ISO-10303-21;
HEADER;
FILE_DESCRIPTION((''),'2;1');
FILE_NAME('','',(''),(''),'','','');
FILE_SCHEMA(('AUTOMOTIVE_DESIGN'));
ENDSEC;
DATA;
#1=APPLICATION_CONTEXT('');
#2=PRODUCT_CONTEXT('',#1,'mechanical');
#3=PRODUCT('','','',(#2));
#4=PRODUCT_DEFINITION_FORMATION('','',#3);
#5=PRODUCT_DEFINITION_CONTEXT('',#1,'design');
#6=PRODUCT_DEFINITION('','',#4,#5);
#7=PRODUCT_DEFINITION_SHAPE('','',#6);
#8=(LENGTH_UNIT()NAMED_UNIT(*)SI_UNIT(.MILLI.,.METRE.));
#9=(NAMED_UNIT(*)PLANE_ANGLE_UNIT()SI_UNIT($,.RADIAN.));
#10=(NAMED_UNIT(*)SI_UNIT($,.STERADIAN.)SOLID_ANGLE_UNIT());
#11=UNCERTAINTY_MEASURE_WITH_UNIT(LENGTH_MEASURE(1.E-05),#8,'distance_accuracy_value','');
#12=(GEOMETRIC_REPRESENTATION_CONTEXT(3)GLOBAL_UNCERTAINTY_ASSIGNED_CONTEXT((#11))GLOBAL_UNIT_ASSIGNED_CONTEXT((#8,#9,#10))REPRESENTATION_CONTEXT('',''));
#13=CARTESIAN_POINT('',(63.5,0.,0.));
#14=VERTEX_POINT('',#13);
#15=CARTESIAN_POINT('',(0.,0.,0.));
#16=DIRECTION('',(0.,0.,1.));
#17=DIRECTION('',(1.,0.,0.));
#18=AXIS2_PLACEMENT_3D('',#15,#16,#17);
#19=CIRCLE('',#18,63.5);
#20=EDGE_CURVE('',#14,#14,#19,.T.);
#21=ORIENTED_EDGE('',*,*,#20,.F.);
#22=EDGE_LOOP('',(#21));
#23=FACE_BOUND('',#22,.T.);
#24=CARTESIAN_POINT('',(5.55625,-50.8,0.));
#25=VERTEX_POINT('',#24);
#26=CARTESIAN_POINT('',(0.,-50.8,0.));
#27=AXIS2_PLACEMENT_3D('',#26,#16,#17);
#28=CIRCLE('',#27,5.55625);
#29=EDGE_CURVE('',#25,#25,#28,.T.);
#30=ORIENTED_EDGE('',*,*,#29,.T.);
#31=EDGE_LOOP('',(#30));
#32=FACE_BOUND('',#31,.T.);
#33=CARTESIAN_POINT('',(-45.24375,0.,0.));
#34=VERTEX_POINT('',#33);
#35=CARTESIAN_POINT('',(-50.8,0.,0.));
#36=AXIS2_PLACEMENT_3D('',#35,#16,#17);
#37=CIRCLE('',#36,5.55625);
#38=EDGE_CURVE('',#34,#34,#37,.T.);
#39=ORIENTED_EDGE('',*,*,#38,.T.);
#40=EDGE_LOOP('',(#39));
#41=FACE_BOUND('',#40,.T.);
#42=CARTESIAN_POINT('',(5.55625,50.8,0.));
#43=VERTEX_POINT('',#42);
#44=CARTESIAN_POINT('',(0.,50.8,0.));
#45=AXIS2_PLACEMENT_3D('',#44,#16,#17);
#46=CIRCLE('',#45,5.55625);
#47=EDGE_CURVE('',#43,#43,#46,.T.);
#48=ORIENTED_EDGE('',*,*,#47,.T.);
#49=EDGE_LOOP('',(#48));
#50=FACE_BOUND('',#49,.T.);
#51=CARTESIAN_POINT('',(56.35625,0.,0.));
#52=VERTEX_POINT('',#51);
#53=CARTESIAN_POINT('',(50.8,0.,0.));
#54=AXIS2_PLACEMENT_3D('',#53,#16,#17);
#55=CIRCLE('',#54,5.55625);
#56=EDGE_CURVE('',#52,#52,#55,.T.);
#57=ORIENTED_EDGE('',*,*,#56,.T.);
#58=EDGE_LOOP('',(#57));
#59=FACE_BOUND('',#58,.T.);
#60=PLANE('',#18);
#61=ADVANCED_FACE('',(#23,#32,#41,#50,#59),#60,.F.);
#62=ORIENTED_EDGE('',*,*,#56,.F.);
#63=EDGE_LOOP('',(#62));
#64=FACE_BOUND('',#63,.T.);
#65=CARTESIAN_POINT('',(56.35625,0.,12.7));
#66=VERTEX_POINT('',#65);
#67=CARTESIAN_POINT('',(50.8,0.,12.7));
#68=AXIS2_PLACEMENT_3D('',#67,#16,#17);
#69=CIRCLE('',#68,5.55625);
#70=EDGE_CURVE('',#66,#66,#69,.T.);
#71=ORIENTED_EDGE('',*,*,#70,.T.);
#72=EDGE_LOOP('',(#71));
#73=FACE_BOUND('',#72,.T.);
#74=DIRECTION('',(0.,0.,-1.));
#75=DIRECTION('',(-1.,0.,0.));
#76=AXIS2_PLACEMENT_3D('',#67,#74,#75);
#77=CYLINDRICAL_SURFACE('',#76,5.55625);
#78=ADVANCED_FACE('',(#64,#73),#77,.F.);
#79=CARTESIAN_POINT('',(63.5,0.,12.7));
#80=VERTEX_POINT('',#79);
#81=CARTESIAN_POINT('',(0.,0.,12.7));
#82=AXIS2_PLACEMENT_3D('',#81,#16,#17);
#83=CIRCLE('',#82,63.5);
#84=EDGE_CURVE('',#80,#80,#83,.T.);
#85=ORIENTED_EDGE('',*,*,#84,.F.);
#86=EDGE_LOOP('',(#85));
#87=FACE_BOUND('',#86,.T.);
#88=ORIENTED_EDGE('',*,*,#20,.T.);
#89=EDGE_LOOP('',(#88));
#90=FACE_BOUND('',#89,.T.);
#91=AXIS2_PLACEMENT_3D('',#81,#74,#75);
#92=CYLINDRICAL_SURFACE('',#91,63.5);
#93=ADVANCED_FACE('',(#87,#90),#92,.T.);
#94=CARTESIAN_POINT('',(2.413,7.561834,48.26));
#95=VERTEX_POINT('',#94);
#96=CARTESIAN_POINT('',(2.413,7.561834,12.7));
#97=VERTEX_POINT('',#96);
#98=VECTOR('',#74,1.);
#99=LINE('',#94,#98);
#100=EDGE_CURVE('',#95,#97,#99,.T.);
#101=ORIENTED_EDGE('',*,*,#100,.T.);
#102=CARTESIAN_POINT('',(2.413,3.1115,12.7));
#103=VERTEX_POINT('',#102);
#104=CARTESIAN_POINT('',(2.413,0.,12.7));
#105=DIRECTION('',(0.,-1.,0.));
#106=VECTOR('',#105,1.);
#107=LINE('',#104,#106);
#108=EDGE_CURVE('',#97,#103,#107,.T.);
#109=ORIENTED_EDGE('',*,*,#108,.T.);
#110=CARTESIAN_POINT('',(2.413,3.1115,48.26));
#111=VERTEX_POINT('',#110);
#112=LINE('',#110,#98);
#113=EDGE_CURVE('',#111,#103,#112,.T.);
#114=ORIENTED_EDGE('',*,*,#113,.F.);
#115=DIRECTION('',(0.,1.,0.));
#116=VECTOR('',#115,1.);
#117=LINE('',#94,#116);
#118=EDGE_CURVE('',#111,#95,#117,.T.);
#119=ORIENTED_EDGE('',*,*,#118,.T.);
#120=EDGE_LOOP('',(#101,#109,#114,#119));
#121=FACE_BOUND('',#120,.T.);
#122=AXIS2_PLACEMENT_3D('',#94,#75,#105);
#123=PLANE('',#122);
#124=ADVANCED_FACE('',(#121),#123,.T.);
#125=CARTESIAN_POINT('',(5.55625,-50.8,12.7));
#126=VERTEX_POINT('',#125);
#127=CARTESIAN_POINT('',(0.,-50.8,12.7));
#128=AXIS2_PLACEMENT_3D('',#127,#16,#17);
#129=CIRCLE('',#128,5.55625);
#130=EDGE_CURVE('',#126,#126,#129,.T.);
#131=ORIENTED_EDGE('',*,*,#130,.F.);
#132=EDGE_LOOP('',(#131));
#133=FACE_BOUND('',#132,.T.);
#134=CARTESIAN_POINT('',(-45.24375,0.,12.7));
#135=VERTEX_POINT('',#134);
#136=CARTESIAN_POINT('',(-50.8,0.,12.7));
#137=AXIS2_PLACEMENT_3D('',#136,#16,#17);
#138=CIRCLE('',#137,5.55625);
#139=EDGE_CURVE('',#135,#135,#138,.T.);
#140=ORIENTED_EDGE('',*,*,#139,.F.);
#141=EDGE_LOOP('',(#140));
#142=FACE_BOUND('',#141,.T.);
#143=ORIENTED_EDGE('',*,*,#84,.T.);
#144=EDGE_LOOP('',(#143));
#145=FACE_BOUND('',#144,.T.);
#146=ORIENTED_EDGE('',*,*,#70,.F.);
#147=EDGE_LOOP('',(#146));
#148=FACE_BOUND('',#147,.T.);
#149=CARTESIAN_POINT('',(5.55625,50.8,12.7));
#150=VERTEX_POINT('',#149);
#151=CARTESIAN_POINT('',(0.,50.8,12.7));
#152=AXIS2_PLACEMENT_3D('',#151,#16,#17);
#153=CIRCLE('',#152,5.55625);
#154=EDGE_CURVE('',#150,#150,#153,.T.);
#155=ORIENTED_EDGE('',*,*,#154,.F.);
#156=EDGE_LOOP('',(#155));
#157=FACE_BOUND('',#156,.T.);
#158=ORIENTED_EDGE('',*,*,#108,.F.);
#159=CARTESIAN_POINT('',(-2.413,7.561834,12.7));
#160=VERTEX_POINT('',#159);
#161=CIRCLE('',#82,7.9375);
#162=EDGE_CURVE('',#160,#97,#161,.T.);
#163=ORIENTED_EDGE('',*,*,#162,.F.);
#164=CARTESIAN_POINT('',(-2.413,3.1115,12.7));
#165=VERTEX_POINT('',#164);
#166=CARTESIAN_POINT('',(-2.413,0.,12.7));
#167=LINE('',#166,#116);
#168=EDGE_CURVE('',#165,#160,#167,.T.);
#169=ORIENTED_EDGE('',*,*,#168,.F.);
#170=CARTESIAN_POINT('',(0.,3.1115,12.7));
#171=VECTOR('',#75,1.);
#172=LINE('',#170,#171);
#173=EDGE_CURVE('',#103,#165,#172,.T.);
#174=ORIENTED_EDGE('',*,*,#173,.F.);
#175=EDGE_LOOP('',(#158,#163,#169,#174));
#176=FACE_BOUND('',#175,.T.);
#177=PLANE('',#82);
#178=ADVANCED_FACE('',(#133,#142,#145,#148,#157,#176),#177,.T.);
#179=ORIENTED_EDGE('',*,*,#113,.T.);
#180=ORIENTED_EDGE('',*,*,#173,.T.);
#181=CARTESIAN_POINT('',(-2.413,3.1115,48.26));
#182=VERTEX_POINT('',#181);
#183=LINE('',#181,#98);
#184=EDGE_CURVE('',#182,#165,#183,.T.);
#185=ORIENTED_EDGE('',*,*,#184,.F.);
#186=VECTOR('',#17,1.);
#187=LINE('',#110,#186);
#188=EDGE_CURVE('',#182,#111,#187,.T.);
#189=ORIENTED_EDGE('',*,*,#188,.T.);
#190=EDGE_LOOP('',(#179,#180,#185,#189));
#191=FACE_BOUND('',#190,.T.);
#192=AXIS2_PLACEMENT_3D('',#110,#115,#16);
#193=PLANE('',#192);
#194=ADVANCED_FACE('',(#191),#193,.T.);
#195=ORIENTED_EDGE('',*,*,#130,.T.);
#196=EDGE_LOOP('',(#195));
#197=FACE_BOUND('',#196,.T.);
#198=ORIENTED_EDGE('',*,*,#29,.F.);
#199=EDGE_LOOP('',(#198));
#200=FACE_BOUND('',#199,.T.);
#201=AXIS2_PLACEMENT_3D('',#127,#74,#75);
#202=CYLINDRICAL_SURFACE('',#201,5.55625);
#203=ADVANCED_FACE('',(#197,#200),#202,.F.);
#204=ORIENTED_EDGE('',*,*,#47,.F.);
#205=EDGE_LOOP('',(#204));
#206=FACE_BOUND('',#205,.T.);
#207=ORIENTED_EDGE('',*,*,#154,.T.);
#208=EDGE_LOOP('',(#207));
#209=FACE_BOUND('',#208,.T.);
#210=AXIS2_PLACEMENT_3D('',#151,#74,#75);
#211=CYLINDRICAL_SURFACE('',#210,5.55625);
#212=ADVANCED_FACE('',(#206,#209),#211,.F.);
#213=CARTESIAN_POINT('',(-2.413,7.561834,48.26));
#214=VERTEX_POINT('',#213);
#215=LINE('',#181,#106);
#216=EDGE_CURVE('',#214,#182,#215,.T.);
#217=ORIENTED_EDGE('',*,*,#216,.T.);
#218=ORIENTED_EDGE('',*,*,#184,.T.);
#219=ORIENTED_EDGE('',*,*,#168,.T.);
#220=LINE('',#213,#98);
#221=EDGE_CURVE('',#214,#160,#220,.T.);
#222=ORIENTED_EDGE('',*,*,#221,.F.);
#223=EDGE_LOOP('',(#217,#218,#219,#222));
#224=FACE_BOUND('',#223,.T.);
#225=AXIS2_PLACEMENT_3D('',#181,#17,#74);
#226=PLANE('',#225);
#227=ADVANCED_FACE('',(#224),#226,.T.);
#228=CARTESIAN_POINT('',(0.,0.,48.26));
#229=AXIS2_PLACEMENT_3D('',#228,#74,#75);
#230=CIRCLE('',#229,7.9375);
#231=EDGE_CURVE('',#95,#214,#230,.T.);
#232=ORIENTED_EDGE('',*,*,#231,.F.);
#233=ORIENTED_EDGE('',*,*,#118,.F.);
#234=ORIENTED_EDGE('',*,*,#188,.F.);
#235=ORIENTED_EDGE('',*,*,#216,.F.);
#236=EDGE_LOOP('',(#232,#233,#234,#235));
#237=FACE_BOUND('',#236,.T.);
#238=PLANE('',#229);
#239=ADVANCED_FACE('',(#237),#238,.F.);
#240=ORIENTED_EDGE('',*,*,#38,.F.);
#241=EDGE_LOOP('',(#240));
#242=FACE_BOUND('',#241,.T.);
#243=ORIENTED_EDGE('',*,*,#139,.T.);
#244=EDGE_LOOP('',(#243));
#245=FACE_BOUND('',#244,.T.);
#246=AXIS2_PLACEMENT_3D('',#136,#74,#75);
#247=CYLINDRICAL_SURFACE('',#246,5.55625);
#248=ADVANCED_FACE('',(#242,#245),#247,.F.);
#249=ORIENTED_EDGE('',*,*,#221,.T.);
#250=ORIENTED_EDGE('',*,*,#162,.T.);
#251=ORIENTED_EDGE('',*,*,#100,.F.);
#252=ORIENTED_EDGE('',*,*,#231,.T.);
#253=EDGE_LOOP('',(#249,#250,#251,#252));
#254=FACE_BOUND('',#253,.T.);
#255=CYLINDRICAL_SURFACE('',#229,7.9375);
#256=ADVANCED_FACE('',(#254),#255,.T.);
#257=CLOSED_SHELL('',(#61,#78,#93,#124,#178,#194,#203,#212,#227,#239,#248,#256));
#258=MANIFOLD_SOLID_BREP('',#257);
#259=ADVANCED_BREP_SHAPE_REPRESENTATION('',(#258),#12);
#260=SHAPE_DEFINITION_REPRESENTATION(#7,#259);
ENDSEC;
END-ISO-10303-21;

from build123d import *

# Parameters (mm, degrees)
SKETCH1_R           = 63.5
SKETCH1_R_2         = 5.55625
BOSS_EXTRUDE1_DEPTH = 12.7
BOSS_EXTRUDE5_DEPTH = 48.26


with BuildPart() as part:
    # Sketch1 → Boss-Extrude1 (new body)
    with BuildSketch(Plane.XY):
        Circle(SKETCH1_R)
        with Locations((-50.8, 0)):
            Circle(SKETCH1_R_2, mode=Mode.SUBTRACT)
        with Locations((0, 50.8)):
            Circle(SKETCH1_R_2, mode=Mode.SUBTRACT)
        with Locations((50.8, 0)):
            Circle(SKETCH1_R_2, mode=Mode.SUBTRACT)
        with Locations((0, -50.8)):
            Circle(SKETCH1_R_2, mode=Mode.SUBTRACT)
    extrude(amount=BOSS_EXTRUDE1_DEPTH)

    # Sketch2 → Boss-Extrude5 (add)
    with BuildSketch(Plane(origin=(0, 0, 0), x_dir=(-1, 0, 0), z_dir=(0, 0, -1))):
        with BuildLine():
            Line((-2.413, 7.561834252), (-2.413, 3.1115))
            Line((-2.413, 3.1115), (2.413, 3.1115))
            Line((2.413, 3.1115), (2.413, 7.561834252))
            ThreePointArc((2.413, 7.561834252), (0, -7.9375), (-2.413, 7.561834252))
        make_face()
    extrude(amount=-BOSS_EXTRUDE5_DEPTH)


solid = part.part
